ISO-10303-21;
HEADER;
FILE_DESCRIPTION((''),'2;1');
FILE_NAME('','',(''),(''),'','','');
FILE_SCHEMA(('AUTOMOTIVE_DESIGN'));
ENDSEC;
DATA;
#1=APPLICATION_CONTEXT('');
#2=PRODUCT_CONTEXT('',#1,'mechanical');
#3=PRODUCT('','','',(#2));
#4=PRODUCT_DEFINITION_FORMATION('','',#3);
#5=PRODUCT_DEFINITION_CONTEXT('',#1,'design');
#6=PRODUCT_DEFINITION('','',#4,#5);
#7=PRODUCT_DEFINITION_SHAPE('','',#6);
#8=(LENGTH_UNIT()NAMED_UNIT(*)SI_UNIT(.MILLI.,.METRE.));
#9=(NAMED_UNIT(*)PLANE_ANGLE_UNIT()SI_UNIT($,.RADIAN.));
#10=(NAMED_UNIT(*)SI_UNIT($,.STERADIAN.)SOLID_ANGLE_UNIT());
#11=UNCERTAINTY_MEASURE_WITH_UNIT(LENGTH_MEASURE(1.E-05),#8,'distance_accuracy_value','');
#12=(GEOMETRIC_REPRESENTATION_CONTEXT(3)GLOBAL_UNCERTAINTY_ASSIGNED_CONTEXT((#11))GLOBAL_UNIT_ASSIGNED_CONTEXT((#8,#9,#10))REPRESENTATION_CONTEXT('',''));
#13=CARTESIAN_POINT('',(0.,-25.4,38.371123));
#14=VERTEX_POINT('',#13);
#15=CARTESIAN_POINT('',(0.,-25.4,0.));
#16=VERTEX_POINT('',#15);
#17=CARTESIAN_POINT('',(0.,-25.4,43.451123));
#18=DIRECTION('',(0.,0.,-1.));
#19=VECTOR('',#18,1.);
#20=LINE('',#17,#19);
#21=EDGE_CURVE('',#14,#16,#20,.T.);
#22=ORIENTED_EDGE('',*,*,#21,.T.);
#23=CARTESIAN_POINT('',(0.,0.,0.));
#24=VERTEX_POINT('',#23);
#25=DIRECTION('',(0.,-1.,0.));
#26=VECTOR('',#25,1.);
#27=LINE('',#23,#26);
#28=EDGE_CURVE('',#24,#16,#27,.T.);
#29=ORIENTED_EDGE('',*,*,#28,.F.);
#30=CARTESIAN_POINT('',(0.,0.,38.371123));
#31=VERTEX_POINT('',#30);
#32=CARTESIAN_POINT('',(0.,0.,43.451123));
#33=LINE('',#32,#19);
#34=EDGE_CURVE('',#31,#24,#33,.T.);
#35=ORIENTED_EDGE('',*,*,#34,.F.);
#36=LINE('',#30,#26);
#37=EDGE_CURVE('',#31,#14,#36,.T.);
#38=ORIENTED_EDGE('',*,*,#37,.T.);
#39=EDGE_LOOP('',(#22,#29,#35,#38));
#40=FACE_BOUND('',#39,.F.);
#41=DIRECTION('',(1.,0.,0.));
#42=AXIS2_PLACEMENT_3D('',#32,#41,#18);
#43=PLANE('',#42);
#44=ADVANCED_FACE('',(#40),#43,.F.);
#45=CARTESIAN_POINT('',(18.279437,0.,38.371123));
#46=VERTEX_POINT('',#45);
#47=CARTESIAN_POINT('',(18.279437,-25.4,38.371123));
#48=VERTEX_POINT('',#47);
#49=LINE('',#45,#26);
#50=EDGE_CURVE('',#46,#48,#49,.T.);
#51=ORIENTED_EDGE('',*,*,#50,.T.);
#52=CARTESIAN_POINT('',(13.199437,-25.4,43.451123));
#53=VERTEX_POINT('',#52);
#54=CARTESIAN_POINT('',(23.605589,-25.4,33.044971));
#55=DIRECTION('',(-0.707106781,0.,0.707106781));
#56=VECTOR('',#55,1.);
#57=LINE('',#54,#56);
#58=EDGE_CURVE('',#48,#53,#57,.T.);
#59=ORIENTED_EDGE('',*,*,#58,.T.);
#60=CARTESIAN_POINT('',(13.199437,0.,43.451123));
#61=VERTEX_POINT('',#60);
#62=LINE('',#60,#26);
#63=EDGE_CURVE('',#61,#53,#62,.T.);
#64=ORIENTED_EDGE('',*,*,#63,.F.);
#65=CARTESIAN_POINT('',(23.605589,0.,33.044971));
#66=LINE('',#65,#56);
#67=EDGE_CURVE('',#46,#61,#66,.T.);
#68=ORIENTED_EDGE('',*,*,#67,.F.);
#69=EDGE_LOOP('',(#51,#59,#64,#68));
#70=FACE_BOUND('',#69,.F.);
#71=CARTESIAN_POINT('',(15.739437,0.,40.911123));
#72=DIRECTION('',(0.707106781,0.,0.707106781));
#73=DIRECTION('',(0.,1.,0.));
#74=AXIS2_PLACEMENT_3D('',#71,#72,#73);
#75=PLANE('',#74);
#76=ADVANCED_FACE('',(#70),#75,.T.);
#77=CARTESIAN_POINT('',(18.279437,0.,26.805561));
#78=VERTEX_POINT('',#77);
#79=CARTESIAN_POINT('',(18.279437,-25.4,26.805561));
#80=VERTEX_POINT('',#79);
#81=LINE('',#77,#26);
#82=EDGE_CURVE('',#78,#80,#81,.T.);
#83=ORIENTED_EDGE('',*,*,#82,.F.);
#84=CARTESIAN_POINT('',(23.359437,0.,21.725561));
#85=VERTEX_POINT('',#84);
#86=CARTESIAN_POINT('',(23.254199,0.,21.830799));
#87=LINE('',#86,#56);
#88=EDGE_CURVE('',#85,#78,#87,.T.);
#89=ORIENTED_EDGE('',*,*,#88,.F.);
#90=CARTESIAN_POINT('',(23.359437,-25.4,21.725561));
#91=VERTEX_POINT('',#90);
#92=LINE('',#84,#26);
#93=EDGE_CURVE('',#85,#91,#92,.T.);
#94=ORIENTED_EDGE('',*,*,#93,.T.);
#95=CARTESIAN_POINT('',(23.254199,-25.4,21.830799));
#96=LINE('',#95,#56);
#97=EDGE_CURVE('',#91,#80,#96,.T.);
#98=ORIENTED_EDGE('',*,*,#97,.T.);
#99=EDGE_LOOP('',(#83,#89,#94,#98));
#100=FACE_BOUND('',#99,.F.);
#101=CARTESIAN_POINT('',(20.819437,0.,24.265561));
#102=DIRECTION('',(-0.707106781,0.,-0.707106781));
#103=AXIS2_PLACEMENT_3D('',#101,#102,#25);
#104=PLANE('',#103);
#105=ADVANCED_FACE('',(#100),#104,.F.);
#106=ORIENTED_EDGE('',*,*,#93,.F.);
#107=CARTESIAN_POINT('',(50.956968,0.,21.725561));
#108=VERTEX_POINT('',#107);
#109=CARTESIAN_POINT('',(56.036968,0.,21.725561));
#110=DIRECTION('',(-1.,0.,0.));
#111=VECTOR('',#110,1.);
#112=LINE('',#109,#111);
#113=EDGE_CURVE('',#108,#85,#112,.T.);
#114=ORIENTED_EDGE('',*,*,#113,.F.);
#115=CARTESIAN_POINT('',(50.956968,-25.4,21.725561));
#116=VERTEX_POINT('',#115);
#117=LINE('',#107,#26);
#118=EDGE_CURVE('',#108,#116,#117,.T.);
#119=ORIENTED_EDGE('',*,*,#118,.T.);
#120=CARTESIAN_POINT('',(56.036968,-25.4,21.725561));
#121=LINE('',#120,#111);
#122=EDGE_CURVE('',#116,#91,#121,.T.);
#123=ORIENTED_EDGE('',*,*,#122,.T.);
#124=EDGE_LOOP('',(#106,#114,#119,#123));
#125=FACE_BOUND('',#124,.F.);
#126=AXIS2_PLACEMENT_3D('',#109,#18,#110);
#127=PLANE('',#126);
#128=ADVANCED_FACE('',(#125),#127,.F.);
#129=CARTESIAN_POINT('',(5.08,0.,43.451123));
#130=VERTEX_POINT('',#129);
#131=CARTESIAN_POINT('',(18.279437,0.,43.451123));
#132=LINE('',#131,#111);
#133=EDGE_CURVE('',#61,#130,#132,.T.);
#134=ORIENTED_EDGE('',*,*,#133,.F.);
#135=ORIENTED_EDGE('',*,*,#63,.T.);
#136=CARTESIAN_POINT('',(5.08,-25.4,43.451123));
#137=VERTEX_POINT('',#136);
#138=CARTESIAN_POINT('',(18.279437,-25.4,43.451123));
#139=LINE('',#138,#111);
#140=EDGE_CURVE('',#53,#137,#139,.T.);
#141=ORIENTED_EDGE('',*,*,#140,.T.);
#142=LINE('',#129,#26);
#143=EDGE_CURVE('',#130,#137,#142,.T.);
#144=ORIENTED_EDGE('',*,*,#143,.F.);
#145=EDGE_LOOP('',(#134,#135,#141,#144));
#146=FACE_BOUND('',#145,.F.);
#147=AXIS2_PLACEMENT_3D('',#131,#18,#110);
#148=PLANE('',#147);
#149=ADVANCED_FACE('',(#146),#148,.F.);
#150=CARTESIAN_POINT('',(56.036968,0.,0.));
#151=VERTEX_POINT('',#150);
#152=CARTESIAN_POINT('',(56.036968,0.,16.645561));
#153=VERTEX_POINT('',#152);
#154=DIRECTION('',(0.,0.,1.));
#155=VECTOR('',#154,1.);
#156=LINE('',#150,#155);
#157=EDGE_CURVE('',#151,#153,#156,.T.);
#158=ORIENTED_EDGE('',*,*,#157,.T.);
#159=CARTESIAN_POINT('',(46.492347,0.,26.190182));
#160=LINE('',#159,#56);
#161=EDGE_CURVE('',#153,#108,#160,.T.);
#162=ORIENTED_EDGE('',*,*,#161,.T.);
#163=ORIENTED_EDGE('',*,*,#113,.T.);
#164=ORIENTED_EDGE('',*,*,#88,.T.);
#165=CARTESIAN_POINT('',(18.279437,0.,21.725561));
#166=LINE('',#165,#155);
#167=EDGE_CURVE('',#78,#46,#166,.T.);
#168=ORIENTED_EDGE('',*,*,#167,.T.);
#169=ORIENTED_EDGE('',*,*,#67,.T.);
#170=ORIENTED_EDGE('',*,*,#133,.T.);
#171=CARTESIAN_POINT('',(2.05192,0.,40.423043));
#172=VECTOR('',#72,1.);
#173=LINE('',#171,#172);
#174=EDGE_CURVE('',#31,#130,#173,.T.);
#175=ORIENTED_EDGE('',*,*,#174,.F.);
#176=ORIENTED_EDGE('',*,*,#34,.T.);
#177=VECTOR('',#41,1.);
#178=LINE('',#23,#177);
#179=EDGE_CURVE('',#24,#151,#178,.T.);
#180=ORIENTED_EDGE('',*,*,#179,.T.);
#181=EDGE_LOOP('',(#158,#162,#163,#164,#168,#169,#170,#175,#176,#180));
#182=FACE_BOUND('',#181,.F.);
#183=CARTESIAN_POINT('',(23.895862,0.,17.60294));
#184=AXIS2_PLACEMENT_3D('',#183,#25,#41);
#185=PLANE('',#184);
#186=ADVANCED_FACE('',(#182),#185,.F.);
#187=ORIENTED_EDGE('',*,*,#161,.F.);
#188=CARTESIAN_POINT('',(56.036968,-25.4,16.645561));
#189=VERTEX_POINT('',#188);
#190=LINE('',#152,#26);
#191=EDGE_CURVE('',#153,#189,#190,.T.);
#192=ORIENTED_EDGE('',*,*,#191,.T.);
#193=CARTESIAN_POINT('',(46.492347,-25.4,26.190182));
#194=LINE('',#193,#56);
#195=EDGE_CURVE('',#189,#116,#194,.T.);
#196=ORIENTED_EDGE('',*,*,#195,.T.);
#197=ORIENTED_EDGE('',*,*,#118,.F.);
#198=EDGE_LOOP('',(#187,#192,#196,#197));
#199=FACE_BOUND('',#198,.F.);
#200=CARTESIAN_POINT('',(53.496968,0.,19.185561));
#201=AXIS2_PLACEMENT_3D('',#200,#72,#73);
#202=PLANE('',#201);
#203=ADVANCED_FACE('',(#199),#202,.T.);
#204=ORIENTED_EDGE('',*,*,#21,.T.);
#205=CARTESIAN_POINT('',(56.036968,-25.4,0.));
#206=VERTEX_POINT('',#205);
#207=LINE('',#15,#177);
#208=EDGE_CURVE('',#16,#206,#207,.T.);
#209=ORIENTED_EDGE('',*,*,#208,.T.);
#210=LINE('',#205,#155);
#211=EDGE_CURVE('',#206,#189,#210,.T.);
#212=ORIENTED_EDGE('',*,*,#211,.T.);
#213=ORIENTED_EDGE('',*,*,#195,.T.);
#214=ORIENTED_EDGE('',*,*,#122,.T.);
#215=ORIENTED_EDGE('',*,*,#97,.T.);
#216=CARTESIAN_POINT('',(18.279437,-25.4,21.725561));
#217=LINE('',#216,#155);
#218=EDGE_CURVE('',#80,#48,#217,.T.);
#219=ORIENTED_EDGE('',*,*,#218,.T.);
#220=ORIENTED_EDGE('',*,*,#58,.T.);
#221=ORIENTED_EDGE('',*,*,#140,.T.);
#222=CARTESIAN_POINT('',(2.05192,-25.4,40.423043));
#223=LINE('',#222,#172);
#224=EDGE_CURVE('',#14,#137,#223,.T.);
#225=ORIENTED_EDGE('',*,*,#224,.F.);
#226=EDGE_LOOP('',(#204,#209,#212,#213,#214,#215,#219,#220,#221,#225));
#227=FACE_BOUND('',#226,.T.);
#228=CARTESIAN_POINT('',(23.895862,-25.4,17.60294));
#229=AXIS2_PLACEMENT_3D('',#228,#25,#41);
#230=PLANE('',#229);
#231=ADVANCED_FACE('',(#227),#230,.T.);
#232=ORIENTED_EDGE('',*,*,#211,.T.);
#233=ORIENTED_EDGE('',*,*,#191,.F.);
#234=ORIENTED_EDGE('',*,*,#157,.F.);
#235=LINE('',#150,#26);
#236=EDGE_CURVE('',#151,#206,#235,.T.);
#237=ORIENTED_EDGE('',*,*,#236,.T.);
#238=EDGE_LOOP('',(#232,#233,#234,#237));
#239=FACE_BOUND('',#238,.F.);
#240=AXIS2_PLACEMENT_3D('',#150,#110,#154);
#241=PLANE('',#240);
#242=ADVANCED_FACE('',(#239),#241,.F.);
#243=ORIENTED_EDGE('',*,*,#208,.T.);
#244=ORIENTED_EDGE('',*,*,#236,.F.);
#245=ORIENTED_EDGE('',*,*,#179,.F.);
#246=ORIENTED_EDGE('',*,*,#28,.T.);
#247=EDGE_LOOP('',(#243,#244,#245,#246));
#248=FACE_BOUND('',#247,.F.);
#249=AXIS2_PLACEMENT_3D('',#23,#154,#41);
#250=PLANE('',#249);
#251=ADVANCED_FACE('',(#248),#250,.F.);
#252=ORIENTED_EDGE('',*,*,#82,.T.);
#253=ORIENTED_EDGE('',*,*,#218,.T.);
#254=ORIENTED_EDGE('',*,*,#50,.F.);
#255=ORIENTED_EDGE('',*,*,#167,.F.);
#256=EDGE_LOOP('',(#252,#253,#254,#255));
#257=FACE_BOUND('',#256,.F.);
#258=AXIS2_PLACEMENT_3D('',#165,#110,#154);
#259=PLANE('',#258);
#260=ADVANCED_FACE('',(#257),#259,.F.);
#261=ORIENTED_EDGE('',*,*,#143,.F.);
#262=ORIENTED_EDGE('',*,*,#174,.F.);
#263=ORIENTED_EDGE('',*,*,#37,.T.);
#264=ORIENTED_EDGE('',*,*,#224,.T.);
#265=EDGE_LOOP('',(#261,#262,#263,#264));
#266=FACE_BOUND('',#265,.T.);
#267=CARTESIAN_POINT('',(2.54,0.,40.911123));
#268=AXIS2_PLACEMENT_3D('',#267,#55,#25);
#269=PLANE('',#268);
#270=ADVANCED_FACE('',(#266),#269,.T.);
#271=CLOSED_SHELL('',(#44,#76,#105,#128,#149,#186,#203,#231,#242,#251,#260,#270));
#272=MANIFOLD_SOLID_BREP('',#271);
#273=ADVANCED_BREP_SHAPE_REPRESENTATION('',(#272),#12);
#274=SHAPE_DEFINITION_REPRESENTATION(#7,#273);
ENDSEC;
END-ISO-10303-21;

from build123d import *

# Parameters (mm, degrees)
F1_DEPTH = 25.4
F2_SIZE  = 5.08
F3_SIZE  = 5.08


with BuildPart() as f1:
    # F0 (on Front) → F1 (new body)
    with BuildSketch(Plane.XZ):
        Polygon((0, 43.451123), (0, 0), (56.036968, 0), (56.036968, 21.725561), (18.279437, 21.725561), (18.279437, 43.451123), align=None)
    extrude(amount=F1_DEPTH)

    # F2
    f2_edges = [f1.edges().sort_by_distance(p)[0] for p in [
        (56.036968, -12.7, 21.725561),
    ]]
    chamfer(f2_edges, length=F2_SIZE)

    # F3
    f3_edges = [f1.edges().sort_by_distance(p)[0] for p in [
        (18.279437, -12.7, 43.451123),
        (18.279437, -12.7, 21.725561),
        (0, -12.7, 43.451123),
    ]]
    chamfer(f3_edges, length=F3_SIZE)


solid = f1.part
